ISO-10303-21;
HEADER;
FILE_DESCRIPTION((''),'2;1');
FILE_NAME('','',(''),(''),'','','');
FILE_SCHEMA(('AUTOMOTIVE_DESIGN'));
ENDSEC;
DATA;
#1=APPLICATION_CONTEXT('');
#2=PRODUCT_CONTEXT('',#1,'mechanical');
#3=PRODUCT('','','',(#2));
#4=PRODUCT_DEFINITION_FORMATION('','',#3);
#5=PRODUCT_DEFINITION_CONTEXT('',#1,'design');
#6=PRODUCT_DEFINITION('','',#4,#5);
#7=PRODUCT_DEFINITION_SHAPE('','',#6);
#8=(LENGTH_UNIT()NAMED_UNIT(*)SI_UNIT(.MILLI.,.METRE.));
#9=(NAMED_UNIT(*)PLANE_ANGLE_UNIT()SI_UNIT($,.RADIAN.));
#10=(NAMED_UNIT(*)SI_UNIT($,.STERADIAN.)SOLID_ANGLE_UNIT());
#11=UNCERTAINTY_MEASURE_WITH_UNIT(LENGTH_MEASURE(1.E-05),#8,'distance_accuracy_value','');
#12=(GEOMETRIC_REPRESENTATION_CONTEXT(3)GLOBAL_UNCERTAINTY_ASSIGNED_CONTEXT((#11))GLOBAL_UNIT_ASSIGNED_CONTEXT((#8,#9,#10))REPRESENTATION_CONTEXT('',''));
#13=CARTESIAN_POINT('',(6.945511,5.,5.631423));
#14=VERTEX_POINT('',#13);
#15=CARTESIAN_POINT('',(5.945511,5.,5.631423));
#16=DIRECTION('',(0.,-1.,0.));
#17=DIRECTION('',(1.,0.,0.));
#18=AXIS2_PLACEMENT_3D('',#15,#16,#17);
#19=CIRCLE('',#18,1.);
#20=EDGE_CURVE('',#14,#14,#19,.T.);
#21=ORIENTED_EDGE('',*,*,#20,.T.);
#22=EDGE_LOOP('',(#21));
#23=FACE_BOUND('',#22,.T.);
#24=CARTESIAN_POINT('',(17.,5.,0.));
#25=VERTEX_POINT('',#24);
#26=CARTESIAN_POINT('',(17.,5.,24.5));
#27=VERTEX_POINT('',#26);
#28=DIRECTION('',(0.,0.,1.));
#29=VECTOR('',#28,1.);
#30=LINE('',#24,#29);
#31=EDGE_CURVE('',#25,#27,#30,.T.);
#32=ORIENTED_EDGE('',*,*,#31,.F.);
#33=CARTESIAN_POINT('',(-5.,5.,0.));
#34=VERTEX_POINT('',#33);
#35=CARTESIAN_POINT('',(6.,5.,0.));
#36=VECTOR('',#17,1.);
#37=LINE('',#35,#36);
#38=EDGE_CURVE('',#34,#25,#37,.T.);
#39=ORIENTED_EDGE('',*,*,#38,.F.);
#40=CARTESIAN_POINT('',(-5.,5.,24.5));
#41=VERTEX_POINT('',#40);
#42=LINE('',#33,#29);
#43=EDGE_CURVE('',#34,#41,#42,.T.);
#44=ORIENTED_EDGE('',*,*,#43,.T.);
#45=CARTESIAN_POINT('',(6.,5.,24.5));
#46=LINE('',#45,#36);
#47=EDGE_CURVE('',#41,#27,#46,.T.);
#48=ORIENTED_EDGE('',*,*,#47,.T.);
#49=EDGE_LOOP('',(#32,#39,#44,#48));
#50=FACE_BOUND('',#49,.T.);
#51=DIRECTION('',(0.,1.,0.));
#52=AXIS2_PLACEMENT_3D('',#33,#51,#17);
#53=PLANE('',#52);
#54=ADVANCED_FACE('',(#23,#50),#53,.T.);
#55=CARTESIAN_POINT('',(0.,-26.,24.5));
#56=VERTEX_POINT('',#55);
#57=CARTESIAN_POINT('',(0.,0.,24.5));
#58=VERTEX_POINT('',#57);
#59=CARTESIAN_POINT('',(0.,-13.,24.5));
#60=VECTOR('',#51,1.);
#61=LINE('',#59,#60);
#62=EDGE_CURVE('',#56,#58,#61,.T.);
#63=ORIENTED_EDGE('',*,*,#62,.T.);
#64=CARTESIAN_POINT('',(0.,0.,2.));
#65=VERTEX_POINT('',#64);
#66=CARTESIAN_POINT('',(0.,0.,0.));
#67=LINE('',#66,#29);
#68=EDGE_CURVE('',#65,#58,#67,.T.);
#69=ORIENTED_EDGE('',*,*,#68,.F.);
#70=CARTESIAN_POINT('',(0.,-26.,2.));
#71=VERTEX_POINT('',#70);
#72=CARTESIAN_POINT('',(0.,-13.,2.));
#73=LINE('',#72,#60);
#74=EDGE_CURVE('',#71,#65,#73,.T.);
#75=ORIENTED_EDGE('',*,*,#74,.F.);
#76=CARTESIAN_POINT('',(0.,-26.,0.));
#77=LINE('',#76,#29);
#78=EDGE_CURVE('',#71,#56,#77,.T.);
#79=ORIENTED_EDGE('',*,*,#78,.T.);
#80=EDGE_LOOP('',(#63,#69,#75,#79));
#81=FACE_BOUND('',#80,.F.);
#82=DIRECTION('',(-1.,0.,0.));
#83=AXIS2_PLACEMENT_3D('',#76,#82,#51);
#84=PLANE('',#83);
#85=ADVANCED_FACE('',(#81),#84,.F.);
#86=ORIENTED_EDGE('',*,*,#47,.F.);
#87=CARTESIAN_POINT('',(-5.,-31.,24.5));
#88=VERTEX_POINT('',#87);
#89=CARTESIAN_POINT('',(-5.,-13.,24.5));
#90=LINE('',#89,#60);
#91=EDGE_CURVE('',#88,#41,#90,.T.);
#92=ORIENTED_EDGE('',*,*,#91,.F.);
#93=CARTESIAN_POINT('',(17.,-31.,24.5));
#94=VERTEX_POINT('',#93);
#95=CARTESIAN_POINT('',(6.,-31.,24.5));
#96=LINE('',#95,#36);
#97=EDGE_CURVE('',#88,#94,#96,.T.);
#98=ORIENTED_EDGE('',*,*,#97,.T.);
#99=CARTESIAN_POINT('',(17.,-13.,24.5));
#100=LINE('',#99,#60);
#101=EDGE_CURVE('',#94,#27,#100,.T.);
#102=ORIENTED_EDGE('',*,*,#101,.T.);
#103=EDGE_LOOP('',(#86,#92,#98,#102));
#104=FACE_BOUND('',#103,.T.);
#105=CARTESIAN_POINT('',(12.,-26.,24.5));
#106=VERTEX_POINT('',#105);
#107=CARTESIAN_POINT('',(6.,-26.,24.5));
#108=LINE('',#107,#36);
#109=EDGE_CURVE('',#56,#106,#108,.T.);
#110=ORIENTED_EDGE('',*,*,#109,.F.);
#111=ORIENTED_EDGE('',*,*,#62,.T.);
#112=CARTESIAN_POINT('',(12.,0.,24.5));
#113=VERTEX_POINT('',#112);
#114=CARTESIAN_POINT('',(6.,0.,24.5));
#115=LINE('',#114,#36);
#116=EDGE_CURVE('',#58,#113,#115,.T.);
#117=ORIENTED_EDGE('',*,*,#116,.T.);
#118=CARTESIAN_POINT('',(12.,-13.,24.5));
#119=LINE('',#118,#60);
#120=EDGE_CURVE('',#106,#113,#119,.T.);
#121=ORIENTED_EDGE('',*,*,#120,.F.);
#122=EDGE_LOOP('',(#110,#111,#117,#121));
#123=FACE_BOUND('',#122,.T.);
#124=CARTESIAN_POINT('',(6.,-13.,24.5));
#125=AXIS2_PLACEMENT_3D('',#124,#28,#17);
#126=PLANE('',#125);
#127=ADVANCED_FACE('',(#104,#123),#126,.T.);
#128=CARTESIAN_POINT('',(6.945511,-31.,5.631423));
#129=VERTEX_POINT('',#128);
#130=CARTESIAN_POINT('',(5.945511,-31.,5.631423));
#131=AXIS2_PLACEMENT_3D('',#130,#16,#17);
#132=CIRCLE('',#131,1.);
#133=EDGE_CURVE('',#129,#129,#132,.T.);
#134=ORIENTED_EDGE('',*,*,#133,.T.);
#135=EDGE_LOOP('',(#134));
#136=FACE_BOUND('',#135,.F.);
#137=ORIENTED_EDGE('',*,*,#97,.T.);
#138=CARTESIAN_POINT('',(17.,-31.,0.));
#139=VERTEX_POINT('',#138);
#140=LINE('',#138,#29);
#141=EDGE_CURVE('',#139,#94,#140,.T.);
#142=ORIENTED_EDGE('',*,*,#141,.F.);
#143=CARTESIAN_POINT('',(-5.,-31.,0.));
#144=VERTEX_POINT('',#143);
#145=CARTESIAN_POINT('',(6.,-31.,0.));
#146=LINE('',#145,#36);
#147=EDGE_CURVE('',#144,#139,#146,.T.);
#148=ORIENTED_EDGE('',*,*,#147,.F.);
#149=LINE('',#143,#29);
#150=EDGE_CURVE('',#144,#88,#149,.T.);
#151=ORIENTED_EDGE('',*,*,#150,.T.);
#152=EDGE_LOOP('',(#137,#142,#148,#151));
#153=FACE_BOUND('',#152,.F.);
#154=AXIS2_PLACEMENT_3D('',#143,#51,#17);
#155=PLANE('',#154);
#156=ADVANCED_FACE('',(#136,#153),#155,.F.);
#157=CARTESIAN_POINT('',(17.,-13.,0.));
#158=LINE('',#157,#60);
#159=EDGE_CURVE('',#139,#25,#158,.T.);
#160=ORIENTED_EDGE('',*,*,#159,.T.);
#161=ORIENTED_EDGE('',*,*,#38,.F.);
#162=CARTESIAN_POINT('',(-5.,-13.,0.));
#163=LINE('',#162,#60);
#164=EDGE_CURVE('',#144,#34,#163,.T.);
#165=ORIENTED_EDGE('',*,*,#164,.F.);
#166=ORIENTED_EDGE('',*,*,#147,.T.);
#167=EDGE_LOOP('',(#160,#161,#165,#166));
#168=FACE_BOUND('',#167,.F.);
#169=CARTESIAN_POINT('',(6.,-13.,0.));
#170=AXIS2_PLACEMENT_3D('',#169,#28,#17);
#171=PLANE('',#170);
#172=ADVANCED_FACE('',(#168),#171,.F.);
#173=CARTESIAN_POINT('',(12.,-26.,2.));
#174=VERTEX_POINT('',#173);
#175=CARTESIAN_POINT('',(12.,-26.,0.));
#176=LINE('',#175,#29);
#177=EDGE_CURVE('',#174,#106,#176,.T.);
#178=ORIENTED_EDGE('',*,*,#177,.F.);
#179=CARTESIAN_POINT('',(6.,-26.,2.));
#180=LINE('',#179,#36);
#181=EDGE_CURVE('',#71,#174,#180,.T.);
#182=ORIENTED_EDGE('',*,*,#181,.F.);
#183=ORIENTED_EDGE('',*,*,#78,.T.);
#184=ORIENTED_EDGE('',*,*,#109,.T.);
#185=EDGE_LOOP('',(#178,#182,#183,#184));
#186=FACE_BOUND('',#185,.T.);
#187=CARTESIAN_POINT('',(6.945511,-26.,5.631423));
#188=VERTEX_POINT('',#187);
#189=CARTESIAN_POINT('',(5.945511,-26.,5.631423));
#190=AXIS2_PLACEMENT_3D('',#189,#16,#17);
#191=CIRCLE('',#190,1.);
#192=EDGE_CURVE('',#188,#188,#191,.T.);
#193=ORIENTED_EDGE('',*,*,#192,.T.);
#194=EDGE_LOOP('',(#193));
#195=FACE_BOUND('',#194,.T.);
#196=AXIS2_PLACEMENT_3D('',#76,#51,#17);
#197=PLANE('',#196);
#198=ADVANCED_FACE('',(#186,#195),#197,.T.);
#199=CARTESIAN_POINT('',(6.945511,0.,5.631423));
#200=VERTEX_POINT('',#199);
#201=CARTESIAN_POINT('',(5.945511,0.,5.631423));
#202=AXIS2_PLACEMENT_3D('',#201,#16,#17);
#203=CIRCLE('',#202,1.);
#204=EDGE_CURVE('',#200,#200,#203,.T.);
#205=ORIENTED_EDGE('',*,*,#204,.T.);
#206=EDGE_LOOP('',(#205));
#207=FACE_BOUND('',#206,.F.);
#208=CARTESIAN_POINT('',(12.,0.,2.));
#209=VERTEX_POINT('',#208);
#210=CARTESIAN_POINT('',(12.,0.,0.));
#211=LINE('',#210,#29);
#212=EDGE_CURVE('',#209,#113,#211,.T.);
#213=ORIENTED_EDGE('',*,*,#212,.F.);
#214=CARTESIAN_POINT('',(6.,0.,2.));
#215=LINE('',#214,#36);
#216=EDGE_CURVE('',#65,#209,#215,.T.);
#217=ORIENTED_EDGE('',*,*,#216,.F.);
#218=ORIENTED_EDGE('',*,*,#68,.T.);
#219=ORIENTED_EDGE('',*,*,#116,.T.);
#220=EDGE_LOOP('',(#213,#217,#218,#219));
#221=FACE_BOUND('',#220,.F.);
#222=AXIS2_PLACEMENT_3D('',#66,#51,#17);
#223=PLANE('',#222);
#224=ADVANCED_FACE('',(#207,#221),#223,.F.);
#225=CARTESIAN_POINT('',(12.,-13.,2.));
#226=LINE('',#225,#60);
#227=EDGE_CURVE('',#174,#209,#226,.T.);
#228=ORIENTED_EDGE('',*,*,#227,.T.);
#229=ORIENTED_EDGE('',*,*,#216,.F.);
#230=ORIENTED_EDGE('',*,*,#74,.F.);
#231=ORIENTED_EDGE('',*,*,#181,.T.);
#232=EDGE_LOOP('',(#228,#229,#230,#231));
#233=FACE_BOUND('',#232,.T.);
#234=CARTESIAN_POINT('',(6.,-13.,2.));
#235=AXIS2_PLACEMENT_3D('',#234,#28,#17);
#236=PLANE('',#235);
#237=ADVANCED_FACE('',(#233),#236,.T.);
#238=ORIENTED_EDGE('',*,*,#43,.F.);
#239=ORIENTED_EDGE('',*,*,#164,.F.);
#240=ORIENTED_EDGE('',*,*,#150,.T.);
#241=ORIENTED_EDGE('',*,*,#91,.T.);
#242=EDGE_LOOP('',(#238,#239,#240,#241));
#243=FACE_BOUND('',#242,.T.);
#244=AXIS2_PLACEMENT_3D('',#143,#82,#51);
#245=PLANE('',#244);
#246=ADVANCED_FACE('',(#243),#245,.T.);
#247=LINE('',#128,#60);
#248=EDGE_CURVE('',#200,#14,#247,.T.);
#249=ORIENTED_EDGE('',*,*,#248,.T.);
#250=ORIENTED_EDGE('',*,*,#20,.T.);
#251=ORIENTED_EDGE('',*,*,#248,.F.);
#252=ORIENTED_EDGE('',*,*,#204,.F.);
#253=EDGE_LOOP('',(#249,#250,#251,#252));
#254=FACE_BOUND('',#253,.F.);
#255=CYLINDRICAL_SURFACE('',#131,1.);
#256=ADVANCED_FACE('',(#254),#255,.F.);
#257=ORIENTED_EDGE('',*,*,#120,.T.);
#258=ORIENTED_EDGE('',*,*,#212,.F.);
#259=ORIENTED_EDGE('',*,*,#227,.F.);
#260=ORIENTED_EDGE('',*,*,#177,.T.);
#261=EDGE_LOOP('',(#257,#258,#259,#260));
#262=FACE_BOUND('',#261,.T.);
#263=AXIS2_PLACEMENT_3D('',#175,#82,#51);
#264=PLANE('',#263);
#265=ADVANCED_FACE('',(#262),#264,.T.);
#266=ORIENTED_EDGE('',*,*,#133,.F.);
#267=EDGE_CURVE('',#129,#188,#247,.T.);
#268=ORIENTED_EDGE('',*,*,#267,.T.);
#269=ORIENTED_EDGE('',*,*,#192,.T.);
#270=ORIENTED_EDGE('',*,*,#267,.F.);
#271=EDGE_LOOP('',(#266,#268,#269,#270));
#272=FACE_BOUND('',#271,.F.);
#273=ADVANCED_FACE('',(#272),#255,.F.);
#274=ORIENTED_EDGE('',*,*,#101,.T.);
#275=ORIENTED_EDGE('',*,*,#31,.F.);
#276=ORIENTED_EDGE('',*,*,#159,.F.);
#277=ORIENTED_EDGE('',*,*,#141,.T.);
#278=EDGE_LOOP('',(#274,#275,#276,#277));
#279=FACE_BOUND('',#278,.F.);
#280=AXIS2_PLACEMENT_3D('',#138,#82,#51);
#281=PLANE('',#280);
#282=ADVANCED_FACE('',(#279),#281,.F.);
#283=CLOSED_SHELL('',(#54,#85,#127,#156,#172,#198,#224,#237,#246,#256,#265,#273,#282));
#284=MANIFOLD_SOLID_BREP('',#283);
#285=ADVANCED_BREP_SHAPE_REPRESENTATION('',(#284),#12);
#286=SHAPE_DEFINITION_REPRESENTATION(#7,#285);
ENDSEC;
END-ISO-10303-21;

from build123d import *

# Parameters (mm, degrees)
F0_W     = 22
F0_H     = 36
F0_W_2   = 12
F0_H_2   = 26
F1_DEPTH = 24.5
F2_DEPTH = 2
F3_R     = 1
F4_DEPTH = 36.001


with BuildPart() as f1:
    # F0 (on Top) → F1 (new body)
    with BuildSketch(Plane.XY):
        with Locations((6, -13)):
            Rectangle(F0_W, F0_H)
        with Locations((6, -13)):
            Rectangle(F0_W_2, F0_H_2, mode=Mode.SUBTRACT)
    extrude(amount=F1_DEPTH)

    # F0 (on Top) → F2 (join)
    with BuildSketch(Plane.XY):
        with Locations((6, -13)):
            Rectangle(F0_W_2, F0_H_2)
    extrude(amount=F2_DEPTH)

    # F3 (on face) → F4 (cut, through all)
    with BuildSketch(Plane.XZ.offset(31)):
        with Locations((5.945511, 5.631423)):
            Circle(F3_R)
    extrude(amount=-F4_DEPTH, mode=Mode.SUBTRACT)


solid = f1.part
